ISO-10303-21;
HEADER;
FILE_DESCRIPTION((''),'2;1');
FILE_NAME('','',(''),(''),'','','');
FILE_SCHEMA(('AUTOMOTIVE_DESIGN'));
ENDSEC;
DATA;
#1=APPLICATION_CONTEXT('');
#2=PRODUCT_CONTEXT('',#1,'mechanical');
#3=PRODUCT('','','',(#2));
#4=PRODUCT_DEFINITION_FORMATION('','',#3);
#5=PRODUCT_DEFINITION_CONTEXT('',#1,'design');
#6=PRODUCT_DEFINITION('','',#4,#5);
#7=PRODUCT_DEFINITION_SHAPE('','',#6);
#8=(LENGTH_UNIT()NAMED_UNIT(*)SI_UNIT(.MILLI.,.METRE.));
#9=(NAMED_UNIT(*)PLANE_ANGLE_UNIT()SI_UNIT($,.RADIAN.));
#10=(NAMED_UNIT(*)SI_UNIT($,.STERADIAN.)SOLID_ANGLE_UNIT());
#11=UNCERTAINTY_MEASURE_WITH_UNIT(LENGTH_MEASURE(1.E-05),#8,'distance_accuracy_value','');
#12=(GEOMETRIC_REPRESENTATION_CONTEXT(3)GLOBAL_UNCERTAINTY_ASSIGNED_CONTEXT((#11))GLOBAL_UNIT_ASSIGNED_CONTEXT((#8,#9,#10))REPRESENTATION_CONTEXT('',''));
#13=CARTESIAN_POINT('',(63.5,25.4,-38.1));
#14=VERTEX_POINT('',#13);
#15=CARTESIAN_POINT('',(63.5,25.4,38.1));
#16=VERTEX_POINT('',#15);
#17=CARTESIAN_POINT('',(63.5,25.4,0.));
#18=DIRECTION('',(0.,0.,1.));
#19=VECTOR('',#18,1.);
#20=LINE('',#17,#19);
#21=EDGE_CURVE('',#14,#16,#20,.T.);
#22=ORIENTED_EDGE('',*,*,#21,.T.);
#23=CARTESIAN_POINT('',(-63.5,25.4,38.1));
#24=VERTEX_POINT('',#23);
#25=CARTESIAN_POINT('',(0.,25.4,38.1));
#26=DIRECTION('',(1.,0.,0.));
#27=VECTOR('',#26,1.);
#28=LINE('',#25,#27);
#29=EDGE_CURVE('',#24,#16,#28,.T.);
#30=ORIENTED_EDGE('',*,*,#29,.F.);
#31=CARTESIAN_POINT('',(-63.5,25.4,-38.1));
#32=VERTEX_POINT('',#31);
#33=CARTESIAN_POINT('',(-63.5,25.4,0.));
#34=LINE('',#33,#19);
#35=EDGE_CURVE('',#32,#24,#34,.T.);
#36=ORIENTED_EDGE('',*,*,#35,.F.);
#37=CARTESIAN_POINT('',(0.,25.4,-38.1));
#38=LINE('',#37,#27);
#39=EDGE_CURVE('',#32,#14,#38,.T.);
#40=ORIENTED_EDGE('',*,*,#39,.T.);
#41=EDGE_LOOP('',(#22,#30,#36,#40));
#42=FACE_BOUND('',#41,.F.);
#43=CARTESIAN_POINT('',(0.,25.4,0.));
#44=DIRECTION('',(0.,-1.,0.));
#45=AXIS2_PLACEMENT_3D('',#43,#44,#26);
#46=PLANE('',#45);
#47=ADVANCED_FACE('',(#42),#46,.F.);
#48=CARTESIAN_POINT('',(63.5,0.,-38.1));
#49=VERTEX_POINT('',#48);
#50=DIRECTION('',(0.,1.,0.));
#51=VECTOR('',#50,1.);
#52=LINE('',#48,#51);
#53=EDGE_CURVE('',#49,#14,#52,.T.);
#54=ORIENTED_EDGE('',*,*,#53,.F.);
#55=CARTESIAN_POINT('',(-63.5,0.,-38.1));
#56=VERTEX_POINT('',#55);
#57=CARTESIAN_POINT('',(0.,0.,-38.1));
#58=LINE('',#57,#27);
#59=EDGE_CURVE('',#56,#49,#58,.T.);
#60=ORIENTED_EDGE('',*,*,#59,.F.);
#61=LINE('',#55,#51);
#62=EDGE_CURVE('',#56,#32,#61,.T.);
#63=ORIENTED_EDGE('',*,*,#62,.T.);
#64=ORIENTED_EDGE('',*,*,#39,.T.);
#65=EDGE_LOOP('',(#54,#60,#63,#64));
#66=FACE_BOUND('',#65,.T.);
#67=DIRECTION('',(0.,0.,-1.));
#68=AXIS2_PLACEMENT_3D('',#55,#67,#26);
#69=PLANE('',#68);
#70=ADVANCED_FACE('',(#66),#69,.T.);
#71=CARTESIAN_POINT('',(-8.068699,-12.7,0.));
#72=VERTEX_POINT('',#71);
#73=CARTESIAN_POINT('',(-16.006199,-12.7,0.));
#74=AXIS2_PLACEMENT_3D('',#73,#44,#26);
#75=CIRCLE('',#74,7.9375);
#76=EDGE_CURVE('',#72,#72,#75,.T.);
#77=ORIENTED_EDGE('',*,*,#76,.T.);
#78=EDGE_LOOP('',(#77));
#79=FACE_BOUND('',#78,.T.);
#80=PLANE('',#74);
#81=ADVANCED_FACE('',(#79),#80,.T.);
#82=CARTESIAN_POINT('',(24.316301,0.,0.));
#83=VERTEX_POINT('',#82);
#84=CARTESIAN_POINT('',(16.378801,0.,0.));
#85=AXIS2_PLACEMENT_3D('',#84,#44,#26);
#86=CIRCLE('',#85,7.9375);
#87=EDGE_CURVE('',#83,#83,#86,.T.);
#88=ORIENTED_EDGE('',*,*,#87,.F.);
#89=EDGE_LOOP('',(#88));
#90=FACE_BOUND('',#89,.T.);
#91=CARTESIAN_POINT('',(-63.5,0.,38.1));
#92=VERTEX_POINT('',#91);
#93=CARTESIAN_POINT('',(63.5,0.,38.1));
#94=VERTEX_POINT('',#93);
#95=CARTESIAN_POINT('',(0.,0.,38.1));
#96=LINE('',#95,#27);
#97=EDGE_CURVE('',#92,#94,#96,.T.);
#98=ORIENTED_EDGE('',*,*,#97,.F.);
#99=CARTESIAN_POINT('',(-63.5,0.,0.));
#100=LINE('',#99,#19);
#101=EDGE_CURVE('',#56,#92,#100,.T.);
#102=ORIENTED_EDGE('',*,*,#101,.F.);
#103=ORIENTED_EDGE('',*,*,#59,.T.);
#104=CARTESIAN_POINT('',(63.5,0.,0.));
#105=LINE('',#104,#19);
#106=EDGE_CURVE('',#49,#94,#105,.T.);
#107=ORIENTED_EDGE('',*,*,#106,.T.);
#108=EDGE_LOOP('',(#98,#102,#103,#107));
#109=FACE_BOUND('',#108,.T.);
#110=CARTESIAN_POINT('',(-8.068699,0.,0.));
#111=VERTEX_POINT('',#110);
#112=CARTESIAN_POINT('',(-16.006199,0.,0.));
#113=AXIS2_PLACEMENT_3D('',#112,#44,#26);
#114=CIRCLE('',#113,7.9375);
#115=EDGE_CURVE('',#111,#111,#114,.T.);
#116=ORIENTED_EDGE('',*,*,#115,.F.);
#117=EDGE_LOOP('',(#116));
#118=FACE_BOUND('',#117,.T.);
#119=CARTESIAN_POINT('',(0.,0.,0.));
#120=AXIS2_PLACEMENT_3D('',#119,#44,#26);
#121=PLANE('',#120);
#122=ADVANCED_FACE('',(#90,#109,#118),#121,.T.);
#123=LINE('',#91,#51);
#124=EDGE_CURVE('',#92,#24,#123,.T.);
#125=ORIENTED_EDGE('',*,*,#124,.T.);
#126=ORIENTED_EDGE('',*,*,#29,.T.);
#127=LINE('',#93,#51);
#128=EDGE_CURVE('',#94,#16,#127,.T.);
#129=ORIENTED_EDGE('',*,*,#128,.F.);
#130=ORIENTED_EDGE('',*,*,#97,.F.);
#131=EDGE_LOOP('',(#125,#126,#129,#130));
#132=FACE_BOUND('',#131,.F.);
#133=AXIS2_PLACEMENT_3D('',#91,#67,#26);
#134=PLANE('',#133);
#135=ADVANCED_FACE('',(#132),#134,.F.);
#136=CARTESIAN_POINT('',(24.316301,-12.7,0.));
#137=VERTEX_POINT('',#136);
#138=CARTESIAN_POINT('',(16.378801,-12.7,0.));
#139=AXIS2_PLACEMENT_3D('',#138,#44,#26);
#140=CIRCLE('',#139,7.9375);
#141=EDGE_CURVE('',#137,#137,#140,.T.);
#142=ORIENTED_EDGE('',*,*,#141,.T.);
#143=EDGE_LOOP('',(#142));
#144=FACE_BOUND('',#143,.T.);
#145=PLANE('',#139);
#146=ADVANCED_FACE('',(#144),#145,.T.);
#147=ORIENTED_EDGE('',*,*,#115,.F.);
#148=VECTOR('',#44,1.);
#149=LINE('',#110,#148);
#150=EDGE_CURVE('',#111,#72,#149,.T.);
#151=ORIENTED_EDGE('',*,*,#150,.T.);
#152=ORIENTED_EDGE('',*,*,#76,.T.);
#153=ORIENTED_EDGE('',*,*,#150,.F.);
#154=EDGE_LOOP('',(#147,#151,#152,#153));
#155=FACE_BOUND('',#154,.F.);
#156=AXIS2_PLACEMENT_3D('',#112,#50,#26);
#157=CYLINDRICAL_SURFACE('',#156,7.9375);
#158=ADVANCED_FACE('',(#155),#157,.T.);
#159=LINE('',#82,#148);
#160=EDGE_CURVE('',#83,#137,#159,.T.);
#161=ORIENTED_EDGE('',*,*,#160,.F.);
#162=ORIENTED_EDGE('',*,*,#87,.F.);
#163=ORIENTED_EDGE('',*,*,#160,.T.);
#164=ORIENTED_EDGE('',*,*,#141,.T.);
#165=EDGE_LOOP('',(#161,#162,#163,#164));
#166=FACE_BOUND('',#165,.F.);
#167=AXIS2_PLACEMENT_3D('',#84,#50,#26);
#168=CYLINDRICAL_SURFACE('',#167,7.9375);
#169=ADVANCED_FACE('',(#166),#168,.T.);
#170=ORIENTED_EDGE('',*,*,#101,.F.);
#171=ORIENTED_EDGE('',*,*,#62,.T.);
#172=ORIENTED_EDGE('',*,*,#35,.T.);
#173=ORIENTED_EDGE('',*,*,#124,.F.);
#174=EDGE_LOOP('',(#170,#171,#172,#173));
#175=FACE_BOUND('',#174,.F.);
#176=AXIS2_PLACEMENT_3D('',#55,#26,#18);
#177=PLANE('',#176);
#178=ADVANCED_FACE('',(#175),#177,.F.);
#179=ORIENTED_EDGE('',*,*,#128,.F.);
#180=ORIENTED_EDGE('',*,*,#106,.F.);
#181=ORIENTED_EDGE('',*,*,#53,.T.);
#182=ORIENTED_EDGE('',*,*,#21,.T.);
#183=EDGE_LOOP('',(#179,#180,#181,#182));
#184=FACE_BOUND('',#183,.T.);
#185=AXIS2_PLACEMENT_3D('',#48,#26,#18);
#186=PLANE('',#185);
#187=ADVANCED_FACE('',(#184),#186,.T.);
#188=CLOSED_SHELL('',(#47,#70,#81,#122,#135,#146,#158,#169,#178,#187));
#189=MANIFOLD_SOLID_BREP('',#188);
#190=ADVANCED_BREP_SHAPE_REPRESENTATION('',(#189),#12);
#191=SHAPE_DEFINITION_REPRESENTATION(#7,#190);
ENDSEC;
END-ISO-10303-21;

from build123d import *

# Parameters (mm, degrees)
F0_W     = 127
F0_H     = 76.2
F1_DEPTH = 25.4
F2_R     = 7.9375
F3_DEPTH = 12.7


with BuildPart() as f1:
    # F0 (on Front) → F1 (new body)
    with BuildSketch(Plane.XZ):
        Rectangle(F0_W, F0_H)
    extrude(amount=-F1_DEPTH)

    # F2 (on Front) → F3 (join)
    with BuildSketch(Plane.XZ):
        with Locations((-16.006199, 0)):
            Circle(F2_R)
        with Locations((16.378801, 0)):
            Circle(F2_R)
    extrude(amount=F3_DEPTH)


solid = f1.part
